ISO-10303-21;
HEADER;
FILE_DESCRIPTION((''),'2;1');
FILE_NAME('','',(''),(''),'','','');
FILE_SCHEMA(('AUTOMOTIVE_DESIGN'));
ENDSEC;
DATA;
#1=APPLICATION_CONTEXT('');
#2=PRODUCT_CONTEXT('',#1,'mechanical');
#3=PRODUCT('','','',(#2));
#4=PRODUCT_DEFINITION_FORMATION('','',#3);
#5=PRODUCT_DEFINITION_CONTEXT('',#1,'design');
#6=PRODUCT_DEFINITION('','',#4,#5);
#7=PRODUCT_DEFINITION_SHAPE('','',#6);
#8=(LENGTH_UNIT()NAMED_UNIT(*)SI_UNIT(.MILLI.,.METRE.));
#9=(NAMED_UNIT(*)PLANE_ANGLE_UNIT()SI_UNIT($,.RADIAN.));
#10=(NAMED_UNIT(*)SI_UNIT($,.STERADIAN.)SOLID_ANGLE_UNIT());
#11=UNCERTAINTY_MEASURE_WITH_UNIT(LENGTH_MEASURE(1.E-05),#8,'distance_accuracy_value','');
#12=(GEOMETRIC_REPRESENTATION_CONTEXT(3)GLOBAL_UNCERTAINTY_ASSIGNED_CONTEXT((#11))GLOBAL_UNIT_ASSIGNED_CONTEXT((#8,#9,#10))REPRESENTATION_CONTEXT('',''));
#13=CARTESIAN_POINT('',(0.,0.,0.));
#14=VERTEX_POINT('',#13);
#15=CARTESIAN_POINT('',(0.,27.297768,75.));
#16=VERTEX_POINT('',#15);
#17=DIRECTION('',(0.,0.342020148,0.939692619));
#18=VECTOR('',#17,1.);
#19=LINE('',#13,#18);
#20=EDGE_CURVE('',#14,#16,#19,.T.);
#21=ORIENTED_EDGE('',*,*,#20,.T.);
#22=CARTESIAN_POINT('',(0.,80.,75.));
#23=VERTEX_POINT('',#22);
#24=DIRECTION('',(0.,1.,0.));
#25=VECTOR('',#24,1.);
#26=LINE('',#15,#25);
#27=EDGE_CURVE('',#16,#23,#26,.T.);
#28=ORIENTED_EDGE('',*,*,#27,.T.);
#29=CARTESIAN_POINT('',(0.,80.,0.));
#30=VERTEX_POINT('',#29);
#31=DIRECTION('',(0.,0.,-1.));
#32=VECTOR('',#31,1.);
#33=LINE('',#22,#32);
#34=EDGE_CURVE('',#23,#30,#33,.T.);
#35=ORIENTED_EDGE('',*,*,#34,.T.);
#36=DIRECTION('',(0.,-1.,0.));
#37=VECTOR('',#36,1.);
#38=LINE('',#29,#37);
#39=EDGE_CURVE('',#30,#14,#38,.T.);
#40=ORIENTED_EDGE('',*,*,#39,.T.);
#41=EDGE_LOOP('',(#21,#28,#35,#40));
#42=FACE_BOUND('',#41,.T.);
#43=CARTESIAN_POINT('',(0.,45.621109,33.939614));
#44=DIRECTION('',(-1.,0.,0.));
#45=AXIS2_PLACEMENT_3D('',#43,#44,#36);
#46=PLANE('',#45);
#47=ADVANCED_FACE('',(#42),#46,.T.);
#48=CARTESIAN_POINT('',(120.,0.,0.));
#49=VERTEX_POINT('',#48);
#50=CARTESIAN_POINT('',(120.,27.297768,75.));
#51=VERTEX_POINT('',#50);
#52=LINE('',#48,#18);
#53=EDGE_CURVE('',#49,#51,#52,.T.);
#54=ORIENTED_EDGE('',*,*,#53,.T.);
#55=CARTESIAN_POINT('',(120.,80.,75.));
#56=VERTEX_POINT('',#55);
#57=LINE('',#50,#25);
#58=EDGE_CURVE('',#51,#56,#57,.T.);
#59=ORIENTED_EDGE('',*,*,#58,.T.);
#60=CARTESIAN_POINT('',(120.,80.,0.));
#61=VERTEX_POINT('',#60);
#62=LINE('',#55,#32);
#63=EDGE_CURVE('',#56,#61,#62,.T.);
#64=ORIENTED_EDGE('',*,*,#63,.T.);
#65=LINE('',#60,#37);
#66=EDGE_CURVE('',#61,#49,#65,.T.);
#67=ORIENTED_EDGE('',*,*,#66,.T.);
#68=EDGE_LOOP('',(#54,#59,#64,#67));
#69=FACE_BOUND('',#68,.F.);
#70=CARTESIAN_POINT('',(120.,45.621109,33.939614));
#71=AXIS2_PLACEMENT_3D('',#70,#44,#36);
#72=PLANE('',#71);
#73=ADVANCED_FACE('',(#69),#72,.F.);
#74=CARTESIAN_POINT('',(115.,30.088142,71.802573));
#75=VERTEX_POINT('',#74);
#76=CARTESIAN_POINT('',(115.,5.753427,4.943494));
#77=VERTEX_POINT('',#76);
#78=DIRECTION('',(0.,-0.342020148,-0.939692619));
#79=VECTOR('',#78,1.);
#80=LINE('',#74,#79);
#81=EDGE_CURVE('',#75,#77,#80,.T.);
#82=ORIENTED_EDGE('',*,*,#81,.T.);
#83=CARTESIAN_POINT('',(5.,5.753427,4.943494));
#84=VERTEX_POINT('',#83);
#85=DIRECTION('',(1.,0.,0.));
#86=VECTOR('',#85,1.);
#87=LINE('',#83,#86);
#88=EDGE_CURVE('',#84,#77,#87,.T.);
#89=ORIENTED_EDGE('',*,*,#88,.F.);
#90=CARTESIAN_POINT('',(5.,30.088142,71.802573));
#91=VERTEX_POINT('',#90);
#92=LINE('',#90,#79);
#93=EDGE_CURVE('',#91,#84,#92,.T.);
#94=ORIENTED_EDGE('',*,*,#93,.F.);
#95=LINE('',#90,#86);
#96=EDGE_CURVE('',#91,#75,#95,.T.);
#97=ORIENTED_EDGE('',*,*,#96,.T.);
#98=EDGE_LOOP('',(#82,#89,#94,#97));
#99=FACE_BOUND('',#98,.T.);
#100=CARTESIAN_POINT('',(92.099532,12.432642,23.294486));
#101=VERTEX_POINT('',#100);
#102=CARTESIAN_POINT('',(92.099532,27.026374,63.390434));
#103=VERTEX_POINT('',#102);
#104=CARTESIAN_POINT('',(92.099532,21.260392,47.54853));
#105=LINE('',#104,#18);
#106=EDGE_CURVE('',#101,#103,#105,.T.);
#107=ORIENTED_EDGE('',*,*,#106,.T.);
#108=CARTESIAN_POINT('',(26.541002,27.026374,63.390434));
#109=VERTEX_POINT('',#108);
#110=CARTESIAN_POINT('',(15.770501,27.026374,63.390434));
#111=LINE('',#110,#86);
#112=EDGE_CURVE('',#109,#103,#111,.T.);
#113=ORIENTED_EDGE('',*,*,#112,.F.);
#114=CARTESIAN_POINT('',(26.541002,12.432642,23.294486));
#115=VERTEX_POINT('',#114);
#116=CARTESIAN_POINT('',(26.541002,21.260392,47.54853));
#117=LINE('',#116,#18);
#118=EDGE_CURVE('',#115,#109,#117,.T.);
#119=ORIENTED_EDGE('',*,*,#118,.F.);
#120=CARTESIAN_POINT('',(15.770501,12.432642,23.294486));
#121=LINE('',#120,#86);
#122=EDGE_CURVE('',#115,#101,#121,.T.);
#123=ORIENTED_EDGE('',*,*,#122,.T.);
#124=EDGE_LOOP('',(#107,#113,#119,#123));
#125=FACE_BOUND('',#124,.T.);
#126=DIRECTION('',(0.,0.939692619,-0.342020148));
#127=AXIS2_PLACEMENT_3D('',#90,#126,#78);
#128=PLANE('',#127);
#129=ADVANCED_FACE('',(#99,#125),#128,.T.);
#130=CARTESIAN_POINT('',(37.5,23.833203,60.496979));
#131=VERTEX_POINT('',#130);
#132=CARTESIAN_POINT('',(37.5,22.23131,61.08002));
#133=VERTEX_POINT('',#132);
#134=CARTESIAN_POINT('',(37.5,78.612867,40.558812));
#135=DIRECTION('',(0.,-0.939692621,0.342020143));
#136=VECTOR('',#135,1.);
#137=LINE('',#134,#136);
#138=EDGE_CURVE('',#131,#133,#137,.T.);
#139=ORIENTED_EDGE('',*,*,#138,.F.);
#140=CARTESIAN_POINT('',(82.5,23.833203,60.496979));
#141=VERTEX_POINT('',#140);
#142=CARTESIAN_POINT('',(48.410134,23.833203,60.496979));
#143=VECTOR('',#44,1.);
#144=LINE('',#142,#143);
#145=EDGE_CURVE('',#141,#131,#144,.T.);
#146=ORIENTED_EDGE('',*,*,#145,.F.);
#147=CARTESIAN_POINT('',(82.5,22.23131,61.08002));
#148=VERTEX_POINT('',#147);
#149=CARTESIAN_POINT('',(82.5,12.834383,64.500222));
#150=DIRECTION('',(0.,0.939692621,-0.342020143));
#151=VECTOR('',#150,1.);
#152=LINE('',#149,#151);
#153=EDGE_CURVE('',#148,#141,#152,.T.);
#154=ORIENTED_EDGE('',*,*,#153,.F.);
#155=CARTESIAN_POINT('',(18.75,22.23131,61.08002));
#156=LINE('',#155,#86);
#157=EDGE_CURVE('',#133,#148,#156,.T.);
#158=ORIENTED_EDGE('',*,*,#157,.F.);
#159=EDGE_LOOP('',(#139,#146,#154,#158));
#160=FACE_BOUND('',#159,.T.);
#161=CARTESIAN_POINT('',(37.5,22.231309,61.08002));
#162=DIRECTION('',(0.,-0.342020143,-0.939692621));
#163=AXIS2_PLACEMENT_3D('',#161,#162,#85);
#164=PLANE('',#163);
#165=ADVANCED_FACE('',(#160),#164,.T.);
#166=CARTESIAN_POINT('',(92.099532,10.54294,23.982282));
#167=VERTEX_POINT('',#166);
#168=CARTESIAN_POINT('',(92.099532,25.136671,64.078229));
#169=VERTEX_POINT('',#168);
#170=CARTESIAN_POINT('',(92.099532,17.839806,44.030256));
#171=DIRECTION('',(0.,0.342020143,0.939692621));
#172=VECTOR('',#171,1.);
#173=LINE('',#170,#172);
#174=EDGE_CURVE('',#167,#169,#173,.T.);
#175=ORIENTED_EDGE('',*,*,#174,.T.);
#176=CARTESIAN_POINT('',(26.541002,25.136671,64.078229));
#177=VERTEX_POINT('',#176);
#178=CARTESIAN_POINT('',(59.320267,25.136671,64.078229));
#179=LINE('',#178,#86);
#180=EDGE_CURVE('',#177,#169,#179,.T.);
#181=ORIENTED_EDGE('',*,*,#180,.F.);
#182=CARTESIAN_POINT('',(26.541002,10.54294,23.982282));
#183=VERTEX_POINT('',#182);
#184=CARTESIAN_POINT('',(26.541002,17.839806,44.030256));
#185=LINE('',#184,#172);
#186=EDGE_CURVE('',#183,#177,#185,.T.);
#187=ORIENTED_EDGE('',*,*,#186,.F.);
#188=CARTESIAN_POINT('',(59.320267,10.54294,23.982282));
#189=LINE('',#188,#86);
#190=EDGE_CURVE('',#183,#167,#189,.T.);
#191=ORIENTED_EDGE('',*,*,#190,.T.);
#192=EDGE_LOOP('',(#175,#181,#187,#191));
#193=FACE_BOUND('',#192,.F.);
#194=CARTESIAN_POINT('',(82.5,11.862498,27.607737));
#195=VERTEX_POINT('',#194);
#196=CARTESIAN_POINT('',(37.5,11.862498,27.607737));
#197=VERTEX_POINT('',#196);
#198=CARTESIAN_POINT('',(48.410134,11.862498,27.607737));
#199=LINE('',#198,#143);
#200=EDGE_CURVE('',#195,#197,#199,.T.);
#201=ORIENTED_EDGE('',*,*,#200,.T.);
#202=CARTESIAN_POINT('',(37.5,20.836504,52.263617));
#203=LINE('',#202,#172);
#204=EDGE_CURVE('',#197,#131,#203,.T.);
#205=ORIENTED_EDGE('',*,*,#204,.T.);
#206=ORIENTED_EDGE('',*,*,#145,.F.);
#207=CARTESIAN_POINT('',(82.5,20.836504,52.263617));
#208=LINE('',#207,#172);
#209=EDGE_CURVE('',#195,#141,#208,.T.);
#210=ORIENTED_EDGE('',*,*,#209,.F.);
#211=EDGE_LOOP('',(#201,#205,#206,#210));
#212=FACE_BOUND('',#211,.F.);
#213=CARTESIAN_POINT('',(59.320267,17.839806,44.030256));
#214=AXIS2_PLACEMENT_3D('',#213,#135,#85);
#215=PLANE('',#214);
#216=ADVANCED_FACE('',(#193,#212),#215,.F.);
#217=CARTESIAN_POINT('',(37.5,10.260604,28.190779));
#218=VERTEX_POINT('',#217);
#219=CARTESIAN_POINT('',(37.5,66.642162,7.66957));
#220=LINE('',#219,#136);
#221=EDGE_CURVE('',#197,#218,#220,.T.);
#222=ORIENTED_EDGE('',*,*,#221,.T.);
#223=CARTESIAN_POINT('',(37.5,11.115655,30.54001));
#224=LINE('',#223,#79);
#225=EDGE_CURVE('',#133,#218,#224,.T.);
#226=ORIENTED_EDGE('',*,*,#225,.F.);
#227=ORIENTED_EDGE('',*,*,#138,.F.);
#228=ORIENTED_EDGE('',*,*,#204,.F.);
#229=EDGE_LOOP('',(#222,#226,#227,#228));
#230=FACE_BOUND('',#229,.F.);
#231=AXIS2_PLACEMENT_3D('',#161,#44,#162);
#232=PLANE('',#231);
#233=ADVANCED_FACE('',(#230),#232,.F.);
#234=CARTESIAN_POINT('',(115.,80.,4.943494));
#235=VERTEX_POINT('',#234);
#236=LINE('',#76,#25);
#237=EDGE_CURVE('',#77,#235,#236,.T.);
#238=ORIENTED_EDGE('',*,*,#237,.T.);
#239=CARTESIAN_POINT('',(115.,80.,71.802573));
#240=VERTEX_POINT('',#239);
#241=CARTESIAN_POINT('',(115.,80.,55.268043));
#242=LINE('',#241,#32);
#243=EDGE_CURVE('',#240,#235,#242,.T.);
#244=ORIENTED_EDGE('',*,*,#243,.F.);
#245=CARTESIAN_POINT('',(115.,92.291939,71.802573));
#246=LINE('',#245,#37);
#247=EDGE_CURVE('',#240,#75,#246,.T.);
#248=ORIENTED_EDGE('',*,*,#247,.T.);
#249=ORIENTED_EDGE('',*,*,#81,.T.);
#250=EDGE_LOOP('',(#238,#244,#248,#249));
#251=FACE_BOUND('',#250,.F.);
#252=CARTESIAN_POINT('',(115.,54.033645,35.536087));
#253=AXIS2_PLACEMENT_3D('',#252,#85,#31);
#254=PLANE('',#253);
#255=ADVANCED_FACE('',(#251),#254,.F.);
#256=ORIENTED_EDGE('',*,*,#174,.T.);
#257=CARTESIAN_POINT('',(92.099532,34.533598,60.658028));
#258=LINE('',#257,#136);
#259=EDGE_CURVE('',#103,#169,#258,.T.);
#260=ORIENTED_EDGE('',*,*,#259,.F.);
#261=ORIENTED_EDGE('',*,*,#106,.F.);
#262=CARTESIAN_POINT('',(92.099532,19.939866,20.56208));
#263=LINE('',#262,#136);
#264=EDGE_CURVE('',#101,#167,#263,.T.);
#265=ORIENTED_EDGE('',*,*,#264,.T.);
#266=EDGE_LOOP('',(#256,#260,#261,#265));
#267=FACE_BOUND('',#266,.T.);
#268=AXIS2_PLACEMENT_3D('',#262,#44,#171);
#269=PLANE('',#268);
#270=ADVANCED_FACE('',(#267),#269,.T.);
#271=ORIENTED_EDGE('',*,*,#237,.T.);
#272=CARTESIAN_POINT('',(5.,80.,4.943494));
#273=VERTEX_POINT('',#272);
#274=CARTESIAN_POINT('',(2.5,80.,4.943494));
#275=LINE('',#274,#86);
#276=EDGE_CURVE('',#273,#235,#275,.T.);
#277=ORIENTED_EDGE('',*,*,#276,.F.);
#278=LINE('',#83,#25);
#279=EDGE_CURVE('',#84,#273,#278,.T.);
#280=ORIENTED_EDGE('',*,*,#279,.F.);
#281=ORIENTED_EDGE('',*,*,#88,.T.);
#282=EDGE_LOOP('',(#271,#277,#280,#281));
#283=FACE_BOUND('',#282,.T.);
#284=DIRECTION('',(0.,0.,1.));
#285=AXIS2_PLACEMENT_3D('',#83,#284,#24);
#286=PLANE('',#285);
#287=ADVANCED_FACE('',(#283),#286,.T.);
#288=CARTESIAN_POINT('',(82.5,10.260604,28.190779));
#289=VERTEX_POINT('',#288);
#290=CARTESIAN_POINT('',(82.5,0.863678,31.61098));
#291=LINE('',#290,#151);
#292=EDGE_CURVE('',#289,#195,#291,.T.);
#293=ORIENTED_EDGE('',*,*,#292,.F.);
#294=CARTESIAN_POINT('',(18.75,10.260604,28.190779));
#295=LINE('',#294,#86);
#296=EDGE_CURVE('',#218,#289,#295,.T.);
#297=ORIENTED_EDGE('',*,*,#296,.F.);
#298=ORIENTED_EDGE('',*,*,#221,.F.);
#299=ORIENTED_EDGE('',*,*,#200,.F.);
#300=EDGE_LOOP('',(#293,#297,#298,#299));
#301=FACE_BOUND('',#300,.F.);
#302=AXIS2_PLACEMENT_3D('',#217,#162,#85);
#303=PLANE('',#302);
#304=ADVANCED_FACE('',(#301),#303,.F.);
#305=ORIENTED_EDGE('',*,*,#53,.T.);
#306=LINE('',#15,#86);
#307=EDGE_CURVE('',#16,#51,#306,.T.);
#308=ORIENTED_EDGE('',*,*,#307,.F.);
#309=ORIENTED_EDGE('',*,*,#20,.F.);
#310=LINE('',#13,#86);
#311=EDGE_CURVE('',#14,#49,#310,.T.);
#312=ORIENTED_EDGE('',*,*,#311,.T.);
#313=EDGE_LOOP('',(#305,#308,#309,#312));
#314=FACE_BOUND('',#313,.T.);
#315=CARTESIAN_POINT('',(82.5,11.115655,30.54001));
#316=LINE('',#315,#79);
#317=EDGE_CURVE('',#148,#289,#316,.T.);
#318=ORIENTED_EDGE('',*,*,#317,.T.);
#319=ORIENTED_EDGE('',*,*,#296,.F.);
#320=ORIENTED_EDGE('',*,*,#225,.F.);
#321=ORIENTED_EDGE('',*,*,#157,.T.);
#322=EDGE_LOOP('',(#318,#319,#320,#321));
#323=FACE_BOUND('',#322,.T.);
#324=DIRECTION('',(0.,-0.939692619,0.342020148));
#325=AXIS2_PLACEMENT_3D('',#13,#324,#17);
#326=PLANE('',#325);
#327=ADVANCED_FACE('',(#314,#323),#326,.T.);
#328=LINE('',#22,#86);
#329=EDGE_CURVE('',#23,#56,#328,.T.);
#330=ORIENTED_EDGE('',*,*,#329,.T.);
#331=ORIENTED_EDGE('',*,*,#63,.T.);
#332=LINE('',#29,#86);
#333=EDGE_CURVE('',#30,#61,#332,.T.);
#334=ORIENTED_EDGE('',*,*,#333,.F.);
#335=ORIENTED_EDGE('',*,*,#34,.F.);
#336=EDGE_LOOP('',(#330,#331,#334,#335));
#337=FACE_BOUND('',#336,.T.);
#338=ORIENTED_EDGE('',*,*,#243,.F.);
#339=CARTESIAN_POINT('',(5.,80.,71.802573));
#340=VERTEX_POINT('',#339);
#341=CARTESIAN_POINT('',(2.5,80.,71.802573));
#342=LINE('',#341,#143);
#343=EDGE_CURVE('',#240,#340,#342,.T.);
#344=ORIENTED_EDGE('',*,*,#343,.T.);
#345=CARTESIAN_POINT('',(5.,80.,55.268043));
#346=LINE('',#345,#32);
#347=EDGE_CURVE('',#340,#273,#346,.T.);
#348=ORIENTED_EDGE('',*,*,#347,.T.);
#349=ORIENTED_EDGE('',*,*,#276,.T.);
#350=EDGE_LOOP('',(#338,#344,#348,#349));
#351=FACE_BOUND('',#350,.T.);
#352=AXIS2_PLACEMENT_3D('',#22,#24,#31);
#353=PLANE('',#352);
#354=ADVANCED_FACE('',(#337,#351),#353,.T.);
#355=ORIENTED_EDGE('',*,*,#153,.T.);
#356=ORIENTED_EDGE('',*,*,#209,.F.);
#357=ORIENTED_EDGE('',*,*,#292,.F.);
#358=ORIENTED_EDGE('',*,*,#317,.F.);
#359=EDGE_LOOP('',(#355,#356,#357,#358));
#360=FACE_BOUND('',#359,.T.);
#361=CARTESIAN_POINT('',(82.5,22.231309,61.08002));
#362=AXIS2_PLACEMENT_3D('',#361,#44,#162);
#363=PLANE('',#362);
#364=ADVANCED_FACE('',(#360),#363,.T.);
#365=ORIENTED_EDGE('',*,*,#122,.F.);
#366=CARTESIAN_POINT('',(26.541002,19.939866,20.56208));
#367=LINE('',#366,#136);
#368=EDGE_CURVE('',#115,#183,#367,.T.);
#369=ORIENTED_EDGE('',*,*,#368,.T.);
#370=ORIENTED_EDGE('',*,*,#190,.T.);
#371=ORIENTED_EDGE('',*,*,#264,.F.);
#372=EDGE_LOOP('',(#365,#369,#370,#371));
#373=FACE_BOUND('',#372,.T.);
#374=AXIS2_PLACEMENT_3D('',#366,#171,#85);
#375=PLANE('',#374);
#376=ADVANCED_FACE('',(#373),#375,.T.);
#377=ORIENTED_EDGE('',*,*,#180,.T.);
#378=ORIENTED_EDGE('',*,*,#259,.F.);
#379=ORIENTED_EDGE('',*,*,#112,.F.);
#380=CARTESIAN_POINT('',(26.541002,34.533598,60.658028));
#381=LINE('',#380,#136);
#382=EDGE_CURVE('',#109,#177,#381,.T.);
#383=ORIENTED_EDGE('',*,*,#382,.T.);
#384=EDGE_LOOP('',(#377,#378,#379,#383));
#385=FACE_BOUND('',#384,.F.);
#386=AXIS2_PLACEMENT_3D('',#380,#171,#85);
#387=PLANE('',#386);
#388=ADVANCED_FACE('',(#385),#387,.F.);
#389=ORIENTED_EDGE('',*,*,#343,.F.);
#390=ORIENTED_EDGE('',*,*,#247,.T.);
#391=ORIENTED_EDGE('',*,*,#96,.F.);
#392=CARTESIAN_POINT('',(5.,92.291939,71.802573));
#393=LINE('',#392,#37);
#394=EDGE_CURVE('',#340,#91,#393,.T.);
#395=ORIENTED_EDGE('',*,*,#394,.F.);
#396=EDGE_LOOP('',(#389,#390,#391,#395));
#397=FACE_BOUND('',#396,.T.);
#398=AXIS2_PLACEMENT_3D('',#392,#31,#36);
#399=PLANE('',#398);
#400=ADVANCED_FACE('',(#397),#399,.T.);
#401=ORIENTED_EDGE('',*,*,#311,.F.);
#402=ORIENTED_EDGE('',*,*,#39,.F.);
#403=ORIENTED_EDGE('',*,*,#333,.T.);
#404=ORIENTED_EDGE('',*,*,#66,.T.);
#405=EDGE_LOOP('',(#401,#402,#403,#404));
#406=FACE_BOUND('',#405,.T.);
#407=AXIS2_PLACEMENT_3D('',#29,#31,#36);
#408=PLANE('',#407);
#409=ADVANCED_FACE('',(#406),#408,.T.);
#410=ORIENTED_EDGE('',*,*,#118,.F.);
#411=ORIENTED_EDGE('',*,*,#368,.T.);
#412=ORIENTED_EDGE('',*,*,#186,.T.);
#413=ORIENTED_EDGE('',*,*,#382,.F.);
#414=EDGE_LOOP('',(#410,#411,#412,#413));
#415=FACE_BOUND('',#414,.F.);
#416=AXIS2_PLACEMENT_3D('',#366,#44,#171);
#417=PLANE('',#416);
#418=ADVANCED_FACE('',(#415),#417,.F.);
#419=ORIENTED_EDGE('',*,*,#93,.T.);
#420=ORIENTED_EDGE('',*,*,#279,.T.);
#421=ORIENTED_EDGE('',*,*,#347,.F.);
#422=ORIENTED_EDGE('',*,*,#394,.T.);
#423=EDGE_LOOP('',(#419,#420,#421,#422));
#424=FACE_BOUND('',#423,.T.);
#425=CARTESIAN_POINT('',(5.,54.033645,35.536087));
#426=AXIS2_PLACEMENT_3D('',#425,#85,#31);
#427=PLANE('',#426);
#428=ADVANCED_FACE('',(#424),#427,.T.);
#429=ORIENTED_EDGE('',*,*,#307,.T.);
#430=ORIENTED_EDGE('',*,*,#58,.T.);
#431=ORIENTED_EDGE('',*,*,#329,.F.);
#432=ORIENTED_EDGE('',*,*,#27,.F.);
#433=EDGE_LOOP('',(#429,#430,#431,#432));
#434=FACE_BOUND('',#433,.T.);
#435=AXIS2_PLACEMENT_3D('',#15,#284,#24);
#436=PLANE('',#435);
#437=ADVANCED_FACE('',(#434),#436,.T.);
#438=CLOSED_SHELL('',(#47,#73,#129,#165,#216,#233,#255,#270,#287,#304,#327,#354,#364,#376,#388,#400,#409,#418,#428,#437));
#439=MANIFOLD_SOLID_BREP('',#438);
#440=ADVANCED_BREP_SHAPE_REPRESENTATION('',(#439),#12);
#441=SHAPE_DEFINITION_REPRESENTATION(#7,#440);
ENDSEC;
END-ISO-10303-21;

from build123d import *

# Parameters (mm, degrees)
SKETCH003_AS_DRAWN_W                      = 65.558531
SKETCH003_AS_DRAWN_H                      = 42.669216
EXTRUDE002_DEPTH                          = 10
EXTRUDE002_ONTO_SKETCH003_PLACEMENT_ANGLE = 70
EXTRUDE_DEPTH                             = 110
SKETCH001_AS_DRAWN_W                      = 35
SKETCH001_AS_DRAWN_H                      = 45
EXTRUDE001_DEPTH                          = 10
EXTRUDE001_DEPTH_BACK                     = 60
EXTRUDE001_ONTO_SKETCH001_PITCH_ANGLE     = 70
EXTRUDE001_ONTO_SKETCH001_PLACEMENT_ANGLE = -90
PAD_DEPTH                                 = 120


with BuildPart() as extrude002:
    # Sketch003 as drawn → Extrude002 (new)
    with BuildSketch(Plane.XY):
        with Locations((59.320267, 47.473028)):
            Rectangle(SKETCH003_AS_DRAWN_W, SKETCH003_AS_DRAWN_H)
    extrude(amount=EXTRUDE002_DEPTH)


with BuildPart() as extrude002_1:
    # Extrude002 onto Sketch003 placement: moved
    add(extrude002.part.rotate(Axis((0, 0, 0), (1, 0, 0)), EXTRUDE002_ONTO_SKETCH003_PLACEMENT_ANGLE))


with BuildPart() as extrude002_2:
    # Extrude002 placement: moved
    add(extrude002_1.part.moved(Location((0, 11, -4))))


with BuildPart() as extrude_body:
    # Sketch002 (on DatumPlane) → Extrude (new body)
    with BuildSketch(Plane(origin=(120, 0, 120), x_dir=(0, 0, -1), z_dir=(1, 0, 0))):
        Polygon((48.197427, 92.291939), (48.197427, 30.088142), (115.056506, 5.753427), (115.056506, 92.291939), align=None)
    extrude(amount=EXTRUDE_DEPTH)


with BuildPart() as extrude_body_1:
    # Extrude placement: moved
    add(extrude_body.part.moved(Location((-115, 0, 0))))


with BuildPart() as extrude001:
    # Sketch001 as drawn → Extrude001 (new, two sides)
    with BuildSketch(Plane.XY) as extrude001_sk:
        with Locations((-47.5, 60)):
            Rectangle(SKETCH001_AS_DRAWN_W, SKETCH001_AS_DRAWN_H)
    extrude(amount=EXTRUDE001_DEPTH)
    extrude(extrude001_sk.sketch, amount=-EXTRUDE001_DEPTH_BACK)


with BuildPart() as extrude001_1:
    # Extrude001 onto Sketch001 pitch: moved
    add(extrude001.part.rotate(Axis((0, 0, 0), (0, 1, 0)), EXTRUDE001_ONTO_SKETCH001_PITCH_ANGLE))


with BuildPart() as extrude001_2:
    # Extrude001 onto Sketch001 placement: moved
    add(extrude001_1.part.rotate(Axis((0, 0, 0), (0, 0, 1)), EXTRUDE001_ONTO_SKETCH001_PLACEMENT_ANGLE))


with BuildPart() as cut002:
    # Sketch → Pad (new body)
    with BuildSketch(Plane.YZ):
        Polygon((0, 0), (27.297768, 75), (80, 75), (80, 0), align=None)
    extrude(amount=PAD_DEPTH)

    # Cut: cut Extrude001
    add(extrude001_2.part, mode=Mode.SUBTRACT)

    # Cut001: cut Extrude body
    add(extrude_body_1.part, mode=Mode.SUBTRACT)

    # Cut002: cut Extrude002
    add(extrude002_2.part, mode=Mode.SUBTRACT)


solid = cut002.part
